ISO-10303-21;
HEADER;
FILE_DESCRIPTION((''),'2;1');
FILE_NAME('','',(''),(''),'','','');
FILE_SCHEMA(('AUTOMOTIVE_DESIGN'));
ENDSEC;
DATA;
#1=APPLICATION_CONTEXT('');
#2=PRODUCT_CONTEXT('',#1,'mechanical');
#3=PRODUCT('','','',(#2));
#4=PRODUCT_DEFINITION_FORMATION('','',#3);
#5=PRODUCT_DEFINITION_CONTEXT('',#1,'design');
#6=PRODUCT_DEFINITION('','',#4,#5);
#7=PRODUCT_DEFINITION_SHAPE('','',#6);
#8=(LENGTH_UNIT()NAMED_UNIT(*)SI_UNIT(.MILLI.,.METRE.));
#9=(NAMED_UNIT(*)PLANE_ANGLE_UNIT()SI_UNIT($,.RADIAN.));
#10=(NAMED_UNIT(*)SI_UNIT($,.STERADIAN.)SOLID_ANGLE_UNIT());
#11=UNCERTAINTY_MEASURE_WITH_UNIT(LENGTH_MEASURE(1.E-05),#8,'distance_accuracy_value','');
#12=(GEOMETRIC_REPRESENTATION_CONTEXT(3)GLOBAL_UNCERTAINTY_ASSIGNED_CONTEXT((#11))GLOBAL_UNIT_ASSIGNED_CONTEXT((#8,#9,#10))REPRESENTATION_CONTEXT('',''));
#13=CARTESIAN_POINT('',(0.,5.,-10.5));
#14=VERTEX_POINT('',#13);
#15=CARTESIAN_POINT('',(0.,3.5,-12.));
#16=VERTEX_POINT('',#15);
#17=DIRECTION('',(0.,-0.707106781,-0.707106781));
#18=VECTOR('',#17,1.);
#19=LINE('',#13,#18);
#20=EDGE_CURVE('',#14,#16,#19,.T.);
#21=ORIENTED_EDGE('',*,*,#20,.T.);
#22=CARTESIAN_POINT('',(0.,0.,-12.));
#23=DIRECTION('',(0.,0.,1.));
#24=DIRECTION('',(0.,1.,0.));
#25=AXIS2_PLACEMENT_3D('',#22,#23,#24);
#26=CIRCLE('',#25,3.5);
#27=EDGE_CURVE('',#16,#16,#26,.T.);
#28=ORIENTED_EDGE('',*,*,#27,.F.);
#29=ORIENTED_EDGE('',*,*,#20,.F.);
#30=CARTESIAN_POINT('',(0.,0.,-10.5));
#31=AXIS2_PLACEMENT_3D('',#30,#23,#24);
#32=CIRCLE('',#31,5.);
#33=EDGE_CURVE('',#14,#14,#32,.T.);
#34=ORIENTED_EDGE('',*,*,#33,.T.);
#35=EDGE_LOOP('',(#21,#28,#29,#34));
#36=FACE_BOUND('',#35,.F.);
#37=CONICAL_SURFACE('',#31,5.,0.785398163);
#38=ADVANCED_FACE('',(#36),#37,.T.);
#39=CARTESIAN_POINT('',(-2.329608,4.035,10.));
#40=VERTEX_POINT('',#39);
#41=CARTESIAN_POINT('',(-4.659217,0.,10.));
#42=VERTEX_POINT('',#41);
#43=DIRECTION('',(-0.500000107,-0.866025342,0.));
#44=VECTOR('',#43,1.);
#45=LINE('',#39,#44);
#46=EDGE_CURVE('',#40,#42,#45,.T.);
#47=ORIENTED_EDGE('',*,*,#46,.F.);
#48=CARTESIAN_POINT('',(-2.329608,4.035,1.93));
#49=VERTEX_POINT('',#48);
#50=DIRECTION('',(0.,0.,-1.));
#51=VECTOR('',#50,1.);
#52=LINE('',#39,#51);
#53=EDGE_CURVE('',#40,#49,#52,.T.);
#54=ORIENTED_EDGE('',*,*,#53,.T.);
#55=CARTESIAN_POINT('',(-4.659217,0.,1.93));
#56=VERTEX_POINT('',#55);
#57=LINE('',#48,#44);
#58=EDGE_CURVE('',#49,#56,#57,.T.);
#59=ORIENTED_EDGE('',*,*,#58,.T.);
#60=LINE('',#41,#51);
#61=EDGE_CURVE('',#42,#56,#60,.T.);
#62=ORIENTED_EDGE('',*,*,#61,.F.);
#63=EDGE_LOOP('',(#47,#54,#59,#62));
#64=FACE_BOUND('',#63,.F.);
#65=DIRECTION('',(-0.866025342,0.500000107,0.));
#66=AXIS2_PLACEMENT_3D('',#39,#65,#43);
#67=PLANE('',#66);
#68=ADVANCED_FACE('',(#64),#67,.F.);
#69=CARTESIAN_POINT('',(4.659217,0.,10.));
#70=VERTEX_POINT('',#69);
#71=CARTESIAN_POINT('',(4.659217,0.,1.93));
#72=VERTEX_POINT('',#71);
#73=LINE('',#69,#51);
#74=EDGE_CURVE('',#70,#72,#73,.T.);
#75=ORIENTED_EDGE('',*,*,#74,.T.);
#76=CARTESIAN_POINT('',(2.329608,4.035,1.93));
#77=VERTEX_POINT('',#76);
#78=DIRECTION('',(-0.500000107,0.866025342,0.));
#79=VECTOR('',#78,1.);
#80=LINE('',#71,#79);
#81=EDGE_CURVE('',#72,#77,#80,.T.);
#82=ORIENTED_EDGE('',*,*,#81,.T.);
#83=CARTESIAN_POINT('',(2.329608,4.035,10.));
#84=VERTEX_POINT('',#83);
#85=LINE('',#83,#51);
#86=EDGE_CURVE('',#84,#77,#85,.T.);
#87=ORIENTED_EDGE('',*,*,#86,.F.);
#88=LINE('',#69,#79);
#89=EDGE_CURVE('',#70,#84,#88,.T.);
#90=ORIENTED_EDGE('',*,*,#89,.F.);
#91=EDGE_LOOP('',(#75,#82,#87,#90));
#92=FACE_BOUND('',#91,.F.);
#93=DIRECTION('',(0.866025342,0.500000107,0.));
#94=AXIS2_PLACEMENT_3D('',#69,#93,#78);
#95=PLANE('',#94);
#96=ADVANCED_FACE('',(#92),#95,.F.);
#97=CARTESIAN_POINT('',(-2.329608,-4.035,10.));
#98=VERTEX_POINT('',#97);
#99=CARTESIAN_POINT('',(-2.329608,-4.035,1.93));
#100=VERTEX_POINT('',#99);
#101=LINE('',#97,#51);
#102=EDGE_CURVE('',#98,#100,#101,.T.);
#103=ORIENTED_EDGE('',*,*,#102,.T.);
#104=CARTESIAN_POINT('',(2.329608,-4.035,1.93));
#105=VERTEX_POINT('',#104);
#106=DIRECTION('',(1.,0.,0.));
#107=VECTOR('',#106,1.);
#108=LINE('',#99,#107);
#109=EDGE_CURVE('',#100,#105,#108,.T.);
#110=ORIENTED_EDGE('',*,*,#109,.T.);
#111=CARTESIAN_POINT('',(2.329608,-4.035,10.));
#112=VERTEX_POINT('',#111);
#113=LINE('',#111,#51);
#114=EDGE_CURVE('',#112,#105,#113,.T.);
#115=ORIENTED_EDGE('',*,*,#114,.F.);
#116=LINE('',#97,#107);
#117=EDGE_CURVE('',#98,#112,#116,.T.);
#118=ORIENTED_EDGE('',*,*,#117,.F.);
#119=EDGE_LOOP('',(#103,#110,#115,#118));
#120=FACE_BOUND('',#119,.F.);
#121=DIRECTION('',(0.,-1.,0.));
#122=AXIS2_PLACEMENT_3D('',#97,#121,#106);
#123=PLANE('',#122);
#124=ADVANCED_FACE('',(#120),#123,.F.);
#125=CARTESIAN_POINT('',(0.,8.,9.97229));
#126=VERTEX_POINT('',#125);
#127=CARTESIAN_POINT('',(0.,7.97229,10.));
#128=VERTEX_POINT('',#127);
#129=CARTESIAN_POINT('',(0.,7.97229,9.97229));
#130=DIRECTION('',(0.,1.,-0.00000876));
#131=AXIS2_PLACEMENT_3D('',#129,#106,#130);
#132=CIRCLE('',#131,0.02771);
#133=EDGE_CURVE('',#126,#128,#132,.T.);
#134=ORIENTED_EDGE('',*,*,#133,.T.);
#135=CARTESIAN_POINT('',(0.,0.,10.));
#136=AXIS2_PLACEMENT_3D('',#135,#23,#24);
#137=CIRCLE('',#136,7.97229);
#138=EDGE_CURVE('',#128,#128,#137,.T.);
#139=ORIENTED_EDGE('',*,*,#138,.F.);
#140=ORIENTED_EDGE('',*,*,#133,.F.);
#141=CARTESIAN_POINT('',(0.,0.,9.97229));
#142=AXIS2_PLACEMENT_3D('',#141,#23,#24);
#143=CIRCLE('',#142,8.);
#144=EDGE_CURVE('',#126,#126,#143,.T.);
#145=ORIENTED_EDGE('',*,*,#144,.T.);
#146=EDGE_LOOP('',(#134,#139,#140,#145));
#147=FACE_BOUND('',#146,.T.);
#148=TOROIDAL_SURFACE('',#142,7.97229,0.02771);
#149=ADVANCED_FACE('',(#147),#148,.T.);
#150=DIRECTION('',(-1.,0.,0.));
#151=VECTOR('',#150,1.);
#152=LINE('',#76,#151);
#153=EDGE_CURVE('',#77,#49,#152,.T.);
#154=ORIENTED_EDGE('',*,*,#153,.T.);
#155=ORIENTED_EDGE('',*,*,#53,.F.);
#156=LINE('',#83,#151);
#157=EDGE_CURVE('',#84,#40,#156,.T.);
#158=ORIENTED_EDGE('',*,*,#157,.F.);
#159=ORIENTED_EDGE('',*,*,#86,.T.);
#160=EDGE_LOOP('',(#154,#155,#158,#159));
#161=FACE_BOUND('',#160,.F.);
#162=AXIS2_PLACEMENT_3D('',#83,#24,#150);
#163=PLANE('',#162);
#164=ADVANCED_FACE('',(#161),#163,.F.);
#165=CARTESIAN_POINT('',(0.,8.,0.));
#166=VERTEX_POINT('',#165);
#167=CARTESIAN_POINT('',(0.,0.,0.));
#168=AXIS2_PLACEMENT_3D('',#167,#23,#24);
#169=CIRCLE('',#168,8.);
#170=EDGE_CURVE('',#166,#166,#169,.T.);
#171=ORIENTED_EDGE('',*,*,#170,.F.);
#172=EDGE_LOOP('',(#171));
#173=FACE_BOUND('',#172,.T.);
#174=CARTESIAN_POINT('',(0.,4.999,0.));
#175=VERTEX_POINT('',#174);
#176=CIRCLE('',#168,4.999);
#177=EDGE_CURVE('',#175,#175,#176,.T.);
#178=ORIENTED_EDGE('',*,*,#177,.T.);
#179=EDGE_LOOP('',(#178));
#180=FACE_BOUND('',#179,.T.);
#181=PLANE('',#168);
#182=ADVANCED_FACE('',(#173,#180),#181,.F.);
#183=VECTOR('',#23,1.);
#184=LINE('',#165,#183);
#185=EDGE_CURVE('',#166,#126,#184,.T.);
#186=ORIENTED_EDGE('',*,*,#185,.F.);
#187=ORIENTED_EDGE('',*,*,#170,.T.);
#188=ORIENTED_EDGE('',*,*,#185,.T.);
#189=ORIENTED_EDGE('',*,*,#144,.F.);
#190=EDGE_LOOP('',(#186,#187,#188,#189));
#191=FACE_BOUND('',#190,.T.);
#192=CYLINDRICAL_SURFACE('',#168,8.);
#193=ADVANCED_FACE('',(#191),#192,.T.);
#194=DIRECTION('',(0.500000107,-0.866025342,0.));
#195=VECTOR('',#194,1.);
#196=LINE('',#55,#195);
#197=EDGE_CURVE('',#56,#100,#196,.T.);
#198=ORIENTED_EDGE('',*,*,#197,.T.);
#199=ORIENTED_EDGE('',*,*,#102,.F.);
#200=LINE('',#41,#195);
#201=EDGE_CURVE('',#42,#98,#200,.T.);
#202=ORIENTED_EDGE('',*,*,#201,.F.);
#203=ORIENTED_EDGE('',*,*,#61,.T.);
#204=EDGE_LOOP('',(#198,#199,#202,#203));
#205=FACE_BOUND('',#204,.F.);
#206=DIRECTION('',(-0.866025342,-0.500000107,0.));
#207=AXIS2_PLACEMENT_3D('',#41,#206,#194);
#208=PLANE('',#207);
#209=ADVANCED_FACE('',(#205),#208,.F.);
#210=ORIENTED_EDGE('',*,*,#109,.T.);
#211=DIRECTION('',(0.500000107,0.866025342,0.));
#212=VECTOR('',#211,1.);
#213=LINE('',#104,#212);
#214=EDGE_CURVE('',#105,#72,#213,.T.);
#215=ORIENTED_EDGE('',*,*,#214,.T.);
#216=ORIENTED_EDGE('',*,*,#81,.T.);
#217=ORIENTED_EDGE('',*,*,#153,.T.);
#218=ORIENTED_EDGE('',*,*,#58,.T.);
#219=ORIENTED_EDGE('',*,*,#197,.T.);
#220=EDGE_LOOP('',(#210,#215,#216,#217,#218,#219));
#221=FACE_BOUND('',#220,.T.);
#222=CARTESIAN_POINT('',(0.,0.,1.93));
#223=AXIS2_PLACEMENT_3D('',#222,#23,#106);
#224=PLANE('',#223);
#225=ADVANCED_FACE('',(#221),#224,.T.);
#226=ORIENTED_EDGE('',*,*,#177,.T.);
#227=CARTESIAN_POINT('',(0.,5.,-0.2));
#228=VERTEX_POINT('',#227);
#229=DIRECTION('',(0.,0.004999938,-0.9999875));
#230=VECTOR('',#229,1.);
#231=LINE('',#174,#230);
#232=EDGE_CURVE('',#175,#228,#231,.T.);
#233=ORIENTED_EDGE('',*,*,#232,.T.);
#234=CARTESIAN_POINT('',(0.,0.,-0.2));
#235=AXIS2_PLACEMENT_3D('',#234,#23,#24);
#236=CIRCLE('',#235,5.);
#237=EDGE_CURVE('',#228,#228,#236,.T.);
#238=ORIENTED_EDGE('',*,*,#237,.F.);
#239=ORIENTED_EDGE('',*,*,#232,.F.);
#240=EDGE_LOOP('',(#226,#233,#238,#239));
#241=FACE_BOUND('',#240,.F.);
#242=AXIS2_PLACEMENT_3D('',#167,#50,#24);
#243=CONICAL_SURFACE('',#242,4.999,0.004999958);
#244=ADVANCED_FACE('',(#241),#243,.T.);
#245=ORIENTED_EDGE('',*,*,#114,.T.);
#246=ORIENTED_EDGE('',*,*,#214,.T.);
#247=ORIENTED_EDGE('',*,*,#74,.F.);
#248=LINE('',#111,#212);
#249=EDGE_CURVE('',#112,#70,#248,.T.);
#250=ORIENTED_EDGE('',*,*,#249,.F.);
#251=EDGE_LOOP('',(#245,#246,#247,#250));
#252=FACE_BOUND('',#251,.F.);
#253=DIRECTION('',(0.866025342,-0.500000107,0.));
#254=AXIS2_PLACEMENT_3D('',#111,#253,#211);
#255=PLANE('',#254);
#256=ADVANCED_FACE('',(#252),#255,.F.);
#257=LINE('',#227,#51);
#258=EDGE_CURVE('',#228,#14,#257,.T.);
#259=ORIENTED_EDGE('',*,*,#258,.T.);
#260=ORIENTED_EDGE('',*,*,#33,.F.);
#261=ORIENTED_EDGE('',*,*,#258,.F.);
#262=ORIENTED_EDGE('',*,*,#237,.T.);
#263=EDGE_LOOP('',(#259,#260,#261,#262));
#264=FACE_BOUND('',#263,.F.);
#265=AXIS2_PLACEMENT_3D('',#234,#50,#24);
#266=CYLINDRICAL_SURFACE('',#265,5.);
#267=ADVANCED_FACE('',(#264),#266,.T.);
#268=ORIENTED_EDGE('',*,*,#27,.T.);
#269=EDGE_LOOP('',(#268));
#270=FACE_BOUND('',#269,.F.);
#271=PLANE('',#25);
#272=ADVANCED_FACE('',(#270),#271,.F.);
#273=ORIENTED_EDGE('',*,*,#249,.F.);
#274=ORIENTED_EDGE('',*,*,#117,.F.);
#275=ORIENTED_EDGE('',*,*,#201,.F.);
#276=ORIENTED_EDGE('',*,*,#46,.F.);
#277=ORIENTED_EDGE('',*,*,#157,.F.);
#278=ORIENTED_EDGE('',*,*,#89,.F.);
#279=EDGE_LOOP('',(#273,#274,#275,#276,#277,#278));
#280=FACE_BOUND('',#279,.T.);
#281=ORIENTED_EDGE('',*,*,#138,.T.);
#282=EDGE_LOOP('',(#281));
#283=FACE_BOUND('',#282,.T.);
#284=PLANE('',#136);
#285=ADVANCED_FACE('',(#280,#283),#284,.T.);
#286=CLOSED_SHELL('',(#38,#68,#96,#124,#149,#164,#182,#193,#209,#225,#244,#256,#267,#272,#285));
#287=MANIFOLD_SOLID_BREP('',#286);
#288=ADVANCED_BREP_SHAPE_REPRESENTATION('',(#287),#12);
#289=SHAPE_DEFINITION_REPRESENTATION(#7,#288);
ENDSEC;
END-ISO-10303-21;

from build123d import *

# Parameters (mm, degrees)
POCKET_DEPTH = 8.07


with BuildPart() as part:
    # Sketch → Revolve (revolve)
    with BuildSketch(Plane.YZ):
        with BuildLine():
            Line((4.999, 0), (8, 0))
            Line((8, 0), (8, 9.97229))
            ThreePointArc((8, 9.97229), (7.991884, 9.991884), (7.97229, 10))
            Line((7.97229, 10), (0, 10))
            Line((0, -12), (0, 10))
            Line((3.5, -12), (0, -12))
            Line((5, -10.5), (3.5, -12))
            Line((5, -0.2), (5, -10.5))
            Line((4.999, 0), (5, -0.2))
        make_face()
    revolve(axis=Axis((0, 0, 0), (0, 0, 1)))

    # Sketch001 → Pocket (cut)
    with BuildSketch(Plane.XY.offset(10)):
        Polygon((4.659217, 0), (2.329608, 4.035), (-2.329608, 4.035), (-4.659217, 0), (-2.329608, -4.035), (2.329608, -4.035), align=None)
    extrude(amount=-POCKET_DEPTH, mode=Mode.SUBTRACT)


solid = part.part
